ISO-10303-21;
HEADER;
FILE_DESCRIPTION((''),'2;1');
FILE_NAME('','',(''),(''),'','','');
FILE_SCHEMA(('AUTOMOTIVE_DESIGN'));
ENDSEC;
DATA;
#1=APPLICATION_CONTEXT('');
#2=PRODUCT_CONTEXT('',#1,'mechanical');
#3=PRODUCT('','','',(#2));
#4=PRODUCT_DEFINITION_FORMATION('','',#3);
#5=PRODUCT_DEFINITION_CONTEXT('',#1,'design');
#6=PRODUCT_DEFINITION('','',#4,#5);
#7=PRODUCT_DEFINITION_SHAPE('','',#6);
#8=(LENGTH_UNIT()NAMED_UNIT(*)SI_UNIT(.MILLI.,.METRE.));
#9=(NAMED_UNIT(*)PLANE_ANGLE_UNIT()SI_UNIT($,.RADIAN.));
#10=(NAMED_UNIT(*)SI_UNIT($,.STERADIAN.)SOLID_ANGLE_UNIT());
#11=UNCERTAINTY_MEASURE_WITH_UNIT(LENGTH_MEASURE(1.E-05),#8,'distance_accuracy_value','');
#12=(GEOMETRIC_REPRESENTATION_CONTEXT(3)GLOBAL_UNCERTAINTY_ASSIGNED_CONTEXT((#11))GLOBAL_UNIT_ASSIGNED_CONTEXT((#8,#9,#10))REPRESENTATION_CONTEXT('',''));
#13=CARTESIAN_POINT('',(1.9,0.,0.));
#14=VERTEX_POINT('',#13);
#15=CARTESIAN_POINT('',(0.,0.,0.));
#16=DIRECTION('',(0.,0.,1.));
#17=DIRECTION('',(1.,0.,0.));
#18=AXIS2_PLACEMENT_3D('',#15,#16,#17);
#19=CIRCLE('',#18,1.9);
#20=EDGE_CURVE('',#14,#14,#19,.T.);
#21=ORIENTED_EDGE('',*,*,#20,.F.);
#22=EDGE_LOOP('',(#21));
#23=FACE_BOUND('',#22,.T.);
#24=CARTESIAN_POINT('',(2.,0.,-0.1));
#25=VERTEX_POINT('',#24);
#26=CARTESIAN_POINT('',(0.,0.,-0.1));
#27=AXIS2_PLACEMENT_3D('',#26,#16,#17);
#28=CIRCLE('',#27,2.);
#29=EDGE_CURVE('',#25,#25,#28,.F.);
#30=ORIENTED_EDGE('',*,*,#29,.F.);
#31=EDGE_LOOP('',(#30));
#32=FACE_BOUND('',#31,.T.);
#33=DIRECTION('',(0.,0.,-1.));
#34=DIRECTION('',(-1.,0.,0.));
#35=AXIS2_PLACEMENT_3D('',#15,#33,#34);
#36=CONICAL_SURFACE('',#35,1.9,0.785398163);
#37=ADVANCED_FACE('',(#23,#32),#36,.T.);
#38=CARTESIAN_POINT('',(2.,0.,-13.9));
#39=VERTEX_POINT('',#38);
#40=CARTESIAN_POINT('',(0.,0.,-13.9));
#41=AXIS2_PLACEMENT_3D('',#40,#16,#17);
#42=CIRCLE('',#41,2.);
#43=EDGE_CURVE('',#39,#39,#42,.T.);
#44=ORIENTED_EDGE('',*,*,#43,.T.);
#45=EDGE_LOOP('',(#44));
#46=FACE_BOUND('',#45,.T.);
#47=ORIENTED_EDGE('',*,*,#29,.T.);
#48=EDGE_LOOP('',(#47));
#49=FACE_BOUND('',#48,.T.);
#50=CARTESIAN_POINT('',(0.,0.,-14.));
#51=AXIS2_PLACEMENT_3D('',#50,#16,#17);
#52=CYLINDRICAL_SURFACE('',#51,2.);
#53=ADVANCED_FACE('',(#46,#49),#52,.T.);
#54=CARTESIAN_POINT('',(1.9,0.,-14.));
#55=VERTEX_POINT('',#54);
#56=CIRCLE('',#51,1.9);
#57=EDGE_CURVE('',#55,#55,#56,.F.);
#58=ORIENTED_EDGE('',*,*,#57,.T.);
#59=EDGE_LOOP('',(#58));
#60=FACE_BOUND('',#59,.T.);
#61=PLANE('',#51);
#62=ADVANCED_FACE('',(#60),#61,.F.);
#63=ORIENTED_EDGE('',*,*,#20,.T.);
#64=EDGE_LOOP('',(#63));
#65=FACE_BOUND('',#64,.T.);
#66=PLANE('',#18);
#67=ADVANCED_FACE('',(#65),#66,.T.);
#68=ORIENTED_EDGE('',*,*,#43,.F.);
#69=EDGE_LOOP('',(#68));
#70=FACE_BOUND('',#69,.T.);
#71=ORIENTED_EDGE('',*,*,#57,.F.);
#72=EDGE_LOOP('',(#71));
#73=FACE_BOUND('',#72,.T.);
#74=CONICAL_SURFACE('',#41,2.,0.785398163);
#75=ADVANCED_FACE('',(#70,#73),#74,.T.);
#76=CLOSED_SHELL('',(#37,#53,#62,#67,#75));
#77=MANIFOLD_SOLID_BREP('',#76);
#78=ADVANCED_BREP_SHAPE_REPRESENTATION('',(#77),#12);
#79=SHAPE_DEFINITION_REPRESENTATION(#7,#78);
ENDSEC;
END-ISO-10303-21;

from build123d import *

# Parameters (mm, degrees)
ESQUISSE1_R          = 2
BASE_EXTRUSION_DEPTH = 14
CHANFREIN1_SIZE      = 0.1


with BuildPart() as part:
    # Esquisse1 → Base-Extrusion (new body)
    with BuildSketch(Plane.XY):
        Circle(ESQUISSE1_R)
    extrude(amount=-BASE_EXTRUSION_DEPTH)

    # Chanfrein1
    chanfrein1_edges = [part.edges().sort_by_distance(p)[0] for p in [
        (-2, 0, 0),
        (-2, 0, -14),
    ]]
    chamfer(chanfrein1_edges, length=CHANFREIN1_SIZE)


solid = part.part
